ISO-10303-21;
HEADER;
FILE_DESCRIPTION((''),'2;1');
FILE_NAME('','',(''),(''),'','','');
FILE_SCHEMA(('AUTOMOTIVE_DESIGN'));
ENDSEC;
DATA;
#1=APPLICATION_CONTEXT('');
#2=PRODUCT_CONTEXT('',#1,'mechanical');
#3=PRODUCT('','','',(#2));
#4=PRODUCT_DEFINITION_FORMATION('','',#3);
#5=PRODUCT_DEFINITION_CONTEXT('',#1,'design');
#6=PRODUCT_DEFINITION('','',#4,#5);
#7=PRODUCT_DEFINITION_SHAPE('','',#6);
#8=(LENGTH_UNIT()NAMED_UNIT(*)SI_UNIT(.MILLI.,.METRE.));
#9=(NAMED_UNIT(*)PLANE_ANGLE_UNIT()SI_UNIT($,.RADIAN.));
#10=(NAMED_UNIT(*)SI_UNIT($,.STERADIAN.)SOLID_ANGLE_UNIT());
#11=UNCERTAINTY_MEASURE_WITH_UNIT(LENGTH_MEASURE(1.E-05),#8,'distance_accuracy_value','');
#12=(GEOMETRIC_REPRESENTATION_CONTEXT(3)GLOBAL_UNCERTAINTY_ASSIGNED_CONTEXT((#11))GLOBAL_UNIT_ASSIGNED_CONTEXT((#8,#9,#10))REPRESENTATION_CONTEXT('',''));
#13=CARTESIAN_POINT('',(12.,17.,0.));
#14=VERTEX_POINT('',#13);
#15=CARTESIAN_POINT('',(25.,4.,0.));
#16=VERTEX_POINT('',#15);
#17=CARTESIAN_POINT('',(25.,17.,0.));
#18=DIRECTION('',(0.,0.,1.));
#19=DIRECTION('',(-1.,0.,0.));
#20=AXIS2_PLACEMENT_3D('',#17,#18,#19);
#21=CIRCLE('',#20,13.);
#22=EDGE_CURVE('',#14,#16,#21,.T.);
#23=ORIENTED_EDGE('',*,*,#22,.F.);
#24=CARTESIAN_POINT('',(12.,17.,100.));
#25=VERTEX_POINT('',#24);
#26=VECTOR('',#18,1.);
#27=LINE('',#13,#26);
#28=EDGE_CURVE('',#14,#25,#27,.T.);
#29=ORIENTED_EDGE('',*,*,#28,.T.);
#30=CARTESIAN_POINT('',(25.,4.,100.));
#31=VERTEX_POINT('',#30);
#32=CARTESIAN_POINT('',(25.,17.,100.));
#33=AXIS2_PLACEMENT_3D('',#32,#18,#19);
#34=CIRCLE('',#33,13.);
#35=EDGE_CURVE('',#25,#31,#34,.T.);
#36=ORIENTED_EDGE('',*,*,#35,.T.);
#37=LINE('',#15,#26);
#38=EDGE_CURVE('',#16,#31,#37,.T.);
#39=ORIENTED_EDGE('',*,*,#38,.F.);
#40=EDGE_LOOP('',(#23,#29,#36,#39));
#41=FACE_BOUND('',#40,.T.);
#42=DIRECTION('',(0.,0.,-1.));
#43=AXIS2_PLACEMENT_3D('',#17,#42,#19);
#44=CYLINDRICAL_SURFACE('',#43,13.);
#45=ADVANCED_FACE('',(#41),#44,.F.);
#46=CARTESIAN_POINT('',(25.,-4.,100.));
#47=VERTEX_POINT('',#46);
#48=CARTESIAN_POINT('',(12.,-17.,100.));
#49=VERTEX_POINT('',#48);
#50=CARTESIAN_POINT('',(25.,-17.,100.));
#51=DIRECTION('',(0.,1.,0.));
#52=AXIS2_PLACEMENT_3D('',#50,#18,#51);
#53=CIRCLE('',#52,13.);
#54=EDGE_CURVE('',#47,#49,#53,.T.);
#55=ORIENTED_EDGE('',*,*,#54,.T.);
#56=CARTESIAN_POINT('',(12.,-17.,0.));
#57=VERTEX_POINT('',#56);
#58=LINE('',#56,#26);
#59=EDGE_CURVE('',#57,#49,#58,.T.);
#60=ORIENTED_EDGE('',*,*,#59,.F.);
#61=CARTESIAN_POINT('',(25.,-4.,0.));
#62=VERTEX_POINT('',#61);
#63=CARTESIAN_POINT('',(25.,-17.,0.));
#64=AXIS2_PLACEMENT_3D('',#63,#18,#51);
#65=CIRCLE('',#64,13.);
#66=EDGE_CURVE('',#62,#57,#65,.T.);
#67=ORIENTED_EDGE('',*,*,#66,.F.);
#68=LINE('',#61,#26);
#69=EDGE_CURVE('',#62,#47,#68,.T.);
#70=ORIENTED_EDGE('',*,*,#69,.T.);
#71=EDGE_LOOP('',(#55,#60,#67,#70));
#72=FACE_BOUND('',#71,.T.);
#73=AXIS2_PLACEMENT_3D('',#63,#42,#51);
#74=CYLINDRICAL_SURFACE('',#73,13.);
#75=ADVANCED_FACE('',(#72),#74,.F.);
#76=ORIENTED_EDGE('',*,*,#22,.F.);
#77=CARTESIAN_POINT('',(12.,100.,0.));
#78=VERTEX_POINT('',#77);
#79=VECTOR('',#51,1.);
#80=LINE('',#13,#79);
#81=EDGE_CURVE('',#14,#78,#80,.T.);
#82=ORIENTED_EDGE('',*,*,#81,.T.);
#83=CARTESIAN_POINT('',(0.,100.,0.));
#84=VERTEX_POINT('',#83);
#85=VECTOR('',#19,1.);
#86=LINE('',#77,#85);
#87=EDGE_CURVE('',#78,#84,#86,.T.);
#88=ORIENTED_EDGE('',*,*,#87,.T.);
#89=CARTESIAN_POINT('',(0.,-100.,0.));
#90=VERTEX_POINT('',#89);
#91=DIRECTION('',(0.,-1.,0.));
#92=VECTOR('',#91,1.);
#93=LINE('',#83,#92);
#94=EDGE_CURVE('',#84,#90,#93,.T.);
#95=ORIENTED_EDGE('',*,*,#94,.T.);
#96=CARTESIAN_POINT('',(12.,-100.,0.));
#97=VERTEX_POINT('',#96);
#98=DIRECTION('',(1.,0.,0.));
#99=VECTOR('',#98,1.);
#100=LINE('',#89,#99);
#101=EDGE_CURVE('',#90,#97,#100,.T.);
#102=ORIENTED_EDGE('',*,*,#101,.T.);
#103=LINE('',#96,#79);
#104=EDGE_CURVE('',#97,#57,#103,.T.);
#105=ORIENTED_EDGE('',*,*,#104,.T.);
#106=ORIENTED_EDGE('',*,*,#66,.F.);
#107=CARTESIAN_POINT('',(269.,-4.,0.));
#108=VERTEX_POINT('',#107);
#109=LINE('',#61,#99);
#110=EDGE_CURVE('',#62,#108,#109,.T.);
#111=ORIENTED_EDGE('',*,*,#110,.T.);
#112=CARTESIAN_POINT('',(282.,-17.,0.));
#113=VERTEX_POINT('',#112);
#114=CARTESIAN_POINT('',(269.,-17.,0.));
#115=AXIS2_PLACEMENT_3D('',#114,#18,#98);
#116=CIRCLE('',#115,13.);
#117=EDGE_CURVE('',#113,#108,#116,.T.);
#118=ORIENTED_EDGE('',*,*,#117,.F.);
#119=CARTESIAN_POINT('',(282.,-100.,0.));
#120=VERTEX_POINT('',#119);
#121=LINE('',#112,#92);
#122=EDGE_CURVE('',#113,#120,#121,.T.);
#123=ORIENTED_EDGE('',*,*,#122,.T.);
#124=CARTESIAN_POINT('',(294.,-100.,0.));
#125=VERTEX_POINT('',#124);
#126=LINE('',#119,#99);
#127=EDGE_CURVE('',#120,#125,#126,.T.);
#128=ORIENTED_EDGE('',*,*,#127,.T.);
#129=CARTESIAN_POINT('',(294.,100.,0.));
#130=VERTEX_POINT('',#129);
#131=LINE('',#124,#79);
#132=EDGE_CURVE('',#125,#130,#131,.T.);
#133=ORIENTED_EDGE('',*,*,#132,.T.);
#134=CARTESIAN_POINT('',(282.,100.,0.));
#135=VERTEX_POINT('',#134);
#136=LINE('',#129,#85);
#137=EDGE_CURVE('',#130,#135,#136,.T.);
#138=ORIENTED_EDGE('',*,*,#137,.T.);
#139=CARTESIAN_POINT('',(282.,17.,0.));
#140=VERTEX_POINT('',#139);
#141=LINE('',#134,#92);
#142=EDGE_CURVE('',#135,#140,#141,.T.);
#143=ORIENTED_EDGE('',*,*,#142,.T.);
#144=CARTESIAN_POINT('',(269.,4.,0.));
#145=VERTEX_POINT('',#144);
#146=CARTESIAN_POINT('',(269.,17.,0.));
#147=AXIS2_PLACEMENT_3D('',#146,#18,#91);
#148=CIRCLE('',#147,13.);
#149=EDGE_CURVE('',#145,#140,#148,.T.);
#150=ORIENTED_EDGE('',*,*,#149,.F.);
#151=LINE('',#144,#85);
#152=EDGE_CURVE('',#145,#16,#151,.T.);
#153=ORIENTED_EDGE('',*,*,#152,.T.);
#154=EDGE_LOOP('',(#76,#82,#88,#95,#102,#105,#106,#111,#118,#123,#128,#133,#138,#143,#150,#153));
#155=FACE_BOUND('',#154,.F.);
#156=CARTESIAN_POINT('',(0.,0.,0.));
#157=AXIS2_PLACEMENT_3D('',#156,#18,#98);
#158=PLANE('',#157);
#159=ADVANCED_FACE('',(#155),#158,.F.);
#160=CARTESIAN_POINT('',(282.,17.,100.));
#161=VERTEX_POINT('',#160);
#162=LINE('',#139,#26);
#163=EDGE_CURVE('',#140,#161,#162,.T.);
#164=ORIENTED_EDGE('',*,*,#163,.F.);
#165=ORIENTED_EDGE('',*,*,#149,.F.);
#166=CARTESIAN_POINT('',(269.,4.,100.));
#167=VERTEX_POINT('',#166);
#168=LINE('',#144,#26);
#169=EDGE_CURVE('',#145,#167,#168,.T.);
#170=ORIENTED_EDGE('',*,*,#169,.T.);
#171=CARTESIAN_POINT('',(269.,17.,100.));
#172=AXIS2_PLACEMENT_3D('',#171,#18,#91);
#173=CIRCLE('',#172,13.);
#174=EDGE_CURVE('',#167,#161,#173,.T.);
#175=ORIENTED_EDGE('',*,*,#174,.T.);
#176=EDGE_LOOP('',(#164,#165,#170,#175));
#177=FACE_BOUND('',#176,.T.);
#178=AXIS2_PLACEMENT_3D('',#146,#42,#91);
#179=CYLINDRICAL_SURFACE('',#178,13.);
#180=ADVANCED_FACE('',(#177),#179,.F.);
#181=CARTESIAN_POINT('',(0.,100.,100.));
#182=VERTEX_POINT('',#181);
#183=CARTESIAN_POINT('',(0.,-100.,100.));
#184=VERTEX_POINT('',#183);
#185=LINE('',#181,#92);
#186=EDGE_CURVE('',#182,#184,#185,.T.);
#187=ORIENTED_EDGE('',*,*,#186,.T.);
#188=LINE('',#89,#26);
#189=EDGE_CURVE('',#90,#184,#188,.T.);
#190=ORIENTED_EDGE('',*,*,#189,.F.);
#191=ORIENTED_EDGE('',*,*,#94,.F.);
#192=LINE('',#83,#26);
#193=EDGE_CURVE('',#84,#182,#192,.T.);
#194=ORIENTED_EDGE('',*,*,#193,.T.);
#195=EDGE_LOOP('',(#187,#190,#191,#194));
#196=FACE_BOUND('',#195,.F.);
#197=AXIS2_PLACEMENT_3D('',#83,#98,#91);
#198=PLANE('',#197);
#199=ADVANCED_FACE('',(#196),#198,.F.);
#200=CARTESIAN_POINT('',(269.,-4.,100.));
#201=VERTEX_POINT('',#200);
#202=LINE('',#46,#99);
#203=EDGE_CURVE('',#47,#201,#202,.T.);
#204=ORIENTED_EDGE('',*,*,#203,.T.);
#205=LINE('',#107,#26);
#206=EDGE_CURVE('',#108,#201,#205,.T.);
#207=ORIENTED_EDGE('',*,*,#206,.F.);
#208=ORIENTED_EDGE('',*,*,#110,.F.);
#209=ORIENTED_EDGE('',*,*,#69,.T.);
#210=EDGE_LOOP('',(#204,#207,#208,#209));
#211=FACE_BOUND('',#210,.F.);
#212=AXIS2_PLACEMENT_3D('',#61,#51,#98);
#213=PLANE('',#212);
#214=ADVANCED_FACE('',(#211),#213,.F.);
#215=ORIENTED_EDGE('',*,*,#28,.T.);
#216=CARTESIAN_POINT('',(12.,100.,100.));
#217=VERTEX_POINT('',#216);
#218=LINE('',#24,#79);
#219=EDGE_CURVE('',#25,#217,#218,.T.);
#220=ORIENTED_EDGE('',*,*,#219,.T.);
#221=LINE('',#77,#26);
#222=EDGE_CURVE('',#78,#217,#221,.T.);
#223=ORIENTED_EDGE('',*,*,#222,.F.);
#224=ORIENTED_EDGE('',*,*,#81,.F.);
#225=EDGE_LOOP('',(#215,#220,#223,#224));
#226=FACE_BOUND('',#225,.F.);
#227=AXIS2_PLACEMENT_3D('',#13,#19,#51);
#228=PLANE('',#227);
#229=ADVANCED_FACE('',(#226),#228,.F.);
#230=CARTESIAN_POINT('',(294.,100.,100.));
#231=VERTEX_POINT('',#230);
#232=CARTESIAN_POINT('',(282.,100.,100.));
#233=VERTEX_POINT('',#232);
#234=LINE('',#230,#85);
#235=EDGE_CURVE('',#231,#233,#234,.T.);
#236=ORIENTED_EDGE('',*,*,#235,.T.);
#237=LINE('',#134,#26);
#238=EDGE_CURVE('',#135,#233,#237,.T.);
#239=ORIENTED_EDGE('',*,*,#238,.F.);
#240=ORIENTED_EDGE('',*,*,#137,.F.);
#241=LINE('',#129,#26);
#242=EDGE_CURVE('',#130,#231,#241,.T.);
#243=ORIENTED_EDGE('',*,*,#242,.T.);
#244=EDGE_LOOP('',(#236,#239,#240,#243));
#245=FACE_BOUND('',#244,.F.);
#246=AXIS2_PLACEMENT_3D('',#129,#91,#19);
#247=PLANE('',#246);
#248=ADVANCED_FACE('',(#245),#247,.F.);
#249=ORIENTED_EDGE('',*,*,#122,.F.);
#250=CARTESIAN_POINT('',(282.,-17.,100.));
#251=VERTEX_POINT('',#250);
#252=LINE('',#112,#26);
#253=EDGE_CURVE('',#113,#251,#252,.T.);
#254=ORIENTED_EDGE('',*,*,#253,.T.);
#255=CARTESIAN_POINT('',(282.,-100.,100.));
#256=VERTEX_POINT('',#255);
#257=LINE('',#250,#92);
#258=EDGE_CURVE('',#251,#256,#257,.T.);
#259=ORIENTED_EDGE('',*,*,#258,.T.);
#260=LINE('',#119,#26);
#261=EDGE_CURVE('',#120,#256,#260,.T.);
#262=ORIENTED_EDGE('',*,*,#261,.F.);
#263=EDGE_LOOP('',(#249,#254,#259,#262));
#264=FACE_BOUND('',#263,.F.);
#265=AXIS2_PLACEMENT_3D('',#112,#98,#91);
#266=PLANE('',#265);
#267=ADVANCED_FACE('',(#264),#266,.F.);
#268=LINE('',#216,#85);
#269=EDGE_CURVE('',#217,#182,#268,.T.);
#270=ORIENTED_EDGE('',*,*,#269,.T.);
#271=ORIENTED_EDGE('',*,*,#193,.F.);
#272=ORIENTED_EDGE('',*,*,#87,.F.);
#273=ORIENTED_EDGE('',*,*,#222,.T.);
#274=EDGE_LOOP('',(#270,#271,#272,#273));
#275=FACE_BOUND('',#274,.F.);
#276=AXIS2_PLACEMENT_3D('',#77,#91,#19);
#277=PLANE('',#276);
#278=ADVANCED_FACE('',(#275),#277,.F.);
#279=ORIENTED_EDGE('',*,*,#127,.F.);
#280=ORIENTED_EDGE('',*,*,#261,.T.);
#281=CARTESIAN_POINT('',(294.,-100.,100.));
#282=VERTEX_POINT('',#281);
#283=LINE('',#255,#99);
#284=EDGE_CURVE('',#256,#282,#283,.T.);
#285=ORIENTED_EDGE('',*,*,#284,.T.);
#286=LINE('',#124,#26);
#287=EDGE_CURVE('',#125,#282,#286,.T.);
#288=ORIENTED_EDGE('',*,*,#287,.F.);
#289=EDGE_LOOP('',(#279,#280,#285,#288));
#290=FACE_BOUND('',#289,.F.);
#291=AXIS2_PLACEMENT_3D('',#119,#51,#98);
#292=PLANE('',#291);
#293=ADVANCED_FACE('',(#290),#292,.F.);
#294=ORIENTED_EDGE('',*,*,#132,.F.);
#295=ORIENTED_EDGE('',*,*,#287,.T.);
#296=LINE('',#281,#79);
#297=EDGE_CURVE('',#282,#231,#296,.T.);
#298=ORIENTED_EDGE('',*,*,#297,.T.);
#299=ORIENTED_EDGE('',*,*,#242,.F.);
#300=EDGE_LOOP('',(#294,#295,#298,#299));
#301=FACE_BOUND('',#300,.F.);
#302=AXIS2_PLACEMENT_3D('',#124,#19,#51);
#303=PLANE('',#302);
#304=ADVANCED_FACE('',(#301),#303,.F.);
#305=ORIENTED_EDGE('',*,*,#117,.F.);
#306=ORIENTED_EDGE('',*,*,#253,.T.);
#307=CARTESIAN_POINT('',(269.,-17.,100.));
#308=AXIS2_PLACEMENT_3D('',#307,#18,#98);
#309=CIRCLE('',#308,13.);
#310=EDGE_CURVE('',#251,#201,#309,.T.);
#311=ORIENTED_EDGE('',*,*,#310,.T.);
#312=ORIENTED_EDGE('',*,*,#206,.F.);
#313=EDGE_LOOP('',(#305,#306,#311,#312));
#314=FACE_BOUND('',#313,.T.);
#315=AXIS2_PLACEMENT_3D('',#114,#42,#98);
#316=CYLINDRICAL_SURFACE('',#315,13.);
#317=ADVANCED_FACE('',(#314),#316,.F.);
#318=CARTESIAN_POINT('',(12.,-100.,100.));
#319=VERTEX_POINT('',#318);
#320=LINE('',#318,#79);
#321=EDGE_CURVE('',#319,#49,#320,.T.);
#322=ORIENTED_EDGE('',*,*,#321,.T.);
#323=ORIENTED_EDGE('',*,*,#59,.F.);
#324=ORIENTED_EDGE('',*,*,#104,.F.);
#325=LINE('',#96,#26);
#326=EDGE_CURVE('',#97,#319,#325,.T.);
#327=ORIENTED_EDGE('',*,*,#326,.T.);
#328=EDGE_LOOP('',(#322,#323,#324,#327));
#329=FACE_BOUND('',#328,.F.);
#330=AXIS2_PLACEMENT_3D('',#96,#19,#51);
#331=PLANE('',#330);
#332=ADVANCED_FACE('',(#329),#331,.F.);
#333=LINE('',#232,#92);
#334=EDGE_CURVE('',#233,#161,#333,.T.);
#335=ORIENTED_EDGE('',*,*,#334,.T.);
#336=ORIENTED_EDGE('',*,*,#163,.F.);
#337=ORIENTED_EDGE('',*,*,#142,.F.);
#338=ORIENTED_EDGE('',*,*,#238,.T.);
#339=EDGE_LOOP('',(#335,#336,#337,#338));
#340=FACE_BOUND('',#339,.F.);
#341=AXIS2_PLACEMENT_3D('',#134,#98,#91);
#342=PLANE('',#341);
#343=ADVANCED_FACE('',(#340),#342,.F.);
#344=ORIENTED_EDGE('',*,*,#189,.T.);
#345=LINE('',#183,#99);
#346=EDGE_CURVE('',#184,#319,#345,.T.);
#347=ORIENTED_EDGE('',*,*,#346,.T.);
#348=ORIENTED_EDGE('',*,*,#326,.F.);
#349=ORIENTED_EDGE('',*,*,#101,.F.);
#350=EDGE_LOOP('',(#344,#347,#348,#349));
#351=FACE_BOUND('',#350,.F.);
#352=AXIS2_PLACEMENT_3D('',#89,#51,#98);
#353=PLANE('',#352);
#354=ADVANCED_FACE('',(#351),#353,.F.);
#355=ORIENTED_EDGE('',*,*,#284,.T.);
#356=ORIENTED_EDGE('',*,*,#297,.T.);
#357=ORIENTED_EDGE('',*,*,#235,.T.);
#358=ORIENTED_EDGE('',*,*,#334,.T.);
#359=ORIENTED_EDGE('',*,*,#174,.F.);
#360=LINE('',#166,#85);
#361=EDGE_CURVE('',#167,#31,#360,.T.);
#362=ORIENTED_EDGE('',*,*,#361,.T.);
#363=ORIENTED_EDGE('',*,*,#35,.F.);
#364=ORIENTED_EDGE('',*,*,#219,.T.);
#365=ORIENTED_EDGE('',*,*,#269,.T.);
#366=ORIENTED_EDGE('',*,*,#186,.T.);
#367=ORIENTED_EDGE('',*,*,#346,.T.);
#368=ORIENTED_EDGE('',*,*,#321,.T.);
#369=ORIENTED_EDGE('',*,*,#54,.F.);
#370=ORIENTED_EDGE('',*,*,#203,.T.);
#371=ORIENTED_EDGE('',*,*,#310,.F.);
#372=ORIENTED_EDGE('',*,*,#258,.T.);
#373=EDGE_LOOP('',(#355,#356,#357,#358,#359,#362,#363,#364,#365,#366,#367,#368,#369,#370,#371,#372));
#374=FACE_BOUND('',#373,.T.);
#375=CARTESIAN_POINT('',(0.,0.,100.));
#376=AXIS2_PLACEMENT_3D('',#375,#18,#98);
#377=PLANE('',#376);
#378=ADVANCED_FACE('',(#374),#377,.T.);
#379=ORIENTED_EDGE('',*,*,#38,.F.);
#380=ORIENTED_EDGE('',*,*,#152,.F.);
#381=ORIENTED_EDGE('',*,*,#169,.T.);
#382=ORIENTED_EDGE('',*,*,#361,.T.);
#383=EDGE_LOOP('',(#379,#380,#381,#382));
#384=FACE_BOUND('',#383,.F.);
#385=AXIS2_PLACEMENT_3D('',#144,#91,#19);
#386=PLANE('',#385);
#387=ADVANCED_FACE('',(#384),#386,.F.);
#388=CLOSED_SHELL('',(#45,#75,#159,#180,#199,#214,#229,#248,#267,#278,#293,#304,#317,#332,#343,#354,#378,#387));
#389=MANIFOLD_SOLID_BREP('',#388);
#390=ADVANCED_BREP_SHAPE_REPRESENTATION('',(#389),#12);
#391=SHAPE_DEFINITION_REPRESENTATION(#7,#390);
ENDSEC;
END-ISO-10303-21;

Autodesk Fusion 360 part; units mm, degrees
sketch "スケッチ1" plane through (0, 0, 0) normal (0, 0, 1) x (1, 0, 0)
  line L0 (0, 100) -> (0, -100)
  line L1 (12, 17) -> (12, 100)
  line L2 (282, 100) -> (282, 17)
  line L3 (294, -100) -> (294, 100)
  line L4 (282, -17) -> (282, -100)
  line L5 (12, -100) -> (12, -17)
  line L6 (0, -100) -> (12, -100)
  line L7 (282, -100) -> (294, -100)
  line L8 (269, 4) -> (25, 4)
  line L9 (25, -4) -> (269, -4)
  line L10 (12, 100) -> (0, 100)
  line L11 (294, 100) -> (282, 100)
  arc A0 (25, -4) -> (12, -17) centre (25, -17) ccw
  arc A1 (12, 17) -> (25, 4) centre (25, 17) ccw
  arc A2 (269, 4) -> (282, 17) centre (269, 17) ccw
  arc A3 (282, -17) -> (269, -4) centre (269, -17) ccw
extrude "押し出し1" add sketch "スケッチ1" along normal blind 100
